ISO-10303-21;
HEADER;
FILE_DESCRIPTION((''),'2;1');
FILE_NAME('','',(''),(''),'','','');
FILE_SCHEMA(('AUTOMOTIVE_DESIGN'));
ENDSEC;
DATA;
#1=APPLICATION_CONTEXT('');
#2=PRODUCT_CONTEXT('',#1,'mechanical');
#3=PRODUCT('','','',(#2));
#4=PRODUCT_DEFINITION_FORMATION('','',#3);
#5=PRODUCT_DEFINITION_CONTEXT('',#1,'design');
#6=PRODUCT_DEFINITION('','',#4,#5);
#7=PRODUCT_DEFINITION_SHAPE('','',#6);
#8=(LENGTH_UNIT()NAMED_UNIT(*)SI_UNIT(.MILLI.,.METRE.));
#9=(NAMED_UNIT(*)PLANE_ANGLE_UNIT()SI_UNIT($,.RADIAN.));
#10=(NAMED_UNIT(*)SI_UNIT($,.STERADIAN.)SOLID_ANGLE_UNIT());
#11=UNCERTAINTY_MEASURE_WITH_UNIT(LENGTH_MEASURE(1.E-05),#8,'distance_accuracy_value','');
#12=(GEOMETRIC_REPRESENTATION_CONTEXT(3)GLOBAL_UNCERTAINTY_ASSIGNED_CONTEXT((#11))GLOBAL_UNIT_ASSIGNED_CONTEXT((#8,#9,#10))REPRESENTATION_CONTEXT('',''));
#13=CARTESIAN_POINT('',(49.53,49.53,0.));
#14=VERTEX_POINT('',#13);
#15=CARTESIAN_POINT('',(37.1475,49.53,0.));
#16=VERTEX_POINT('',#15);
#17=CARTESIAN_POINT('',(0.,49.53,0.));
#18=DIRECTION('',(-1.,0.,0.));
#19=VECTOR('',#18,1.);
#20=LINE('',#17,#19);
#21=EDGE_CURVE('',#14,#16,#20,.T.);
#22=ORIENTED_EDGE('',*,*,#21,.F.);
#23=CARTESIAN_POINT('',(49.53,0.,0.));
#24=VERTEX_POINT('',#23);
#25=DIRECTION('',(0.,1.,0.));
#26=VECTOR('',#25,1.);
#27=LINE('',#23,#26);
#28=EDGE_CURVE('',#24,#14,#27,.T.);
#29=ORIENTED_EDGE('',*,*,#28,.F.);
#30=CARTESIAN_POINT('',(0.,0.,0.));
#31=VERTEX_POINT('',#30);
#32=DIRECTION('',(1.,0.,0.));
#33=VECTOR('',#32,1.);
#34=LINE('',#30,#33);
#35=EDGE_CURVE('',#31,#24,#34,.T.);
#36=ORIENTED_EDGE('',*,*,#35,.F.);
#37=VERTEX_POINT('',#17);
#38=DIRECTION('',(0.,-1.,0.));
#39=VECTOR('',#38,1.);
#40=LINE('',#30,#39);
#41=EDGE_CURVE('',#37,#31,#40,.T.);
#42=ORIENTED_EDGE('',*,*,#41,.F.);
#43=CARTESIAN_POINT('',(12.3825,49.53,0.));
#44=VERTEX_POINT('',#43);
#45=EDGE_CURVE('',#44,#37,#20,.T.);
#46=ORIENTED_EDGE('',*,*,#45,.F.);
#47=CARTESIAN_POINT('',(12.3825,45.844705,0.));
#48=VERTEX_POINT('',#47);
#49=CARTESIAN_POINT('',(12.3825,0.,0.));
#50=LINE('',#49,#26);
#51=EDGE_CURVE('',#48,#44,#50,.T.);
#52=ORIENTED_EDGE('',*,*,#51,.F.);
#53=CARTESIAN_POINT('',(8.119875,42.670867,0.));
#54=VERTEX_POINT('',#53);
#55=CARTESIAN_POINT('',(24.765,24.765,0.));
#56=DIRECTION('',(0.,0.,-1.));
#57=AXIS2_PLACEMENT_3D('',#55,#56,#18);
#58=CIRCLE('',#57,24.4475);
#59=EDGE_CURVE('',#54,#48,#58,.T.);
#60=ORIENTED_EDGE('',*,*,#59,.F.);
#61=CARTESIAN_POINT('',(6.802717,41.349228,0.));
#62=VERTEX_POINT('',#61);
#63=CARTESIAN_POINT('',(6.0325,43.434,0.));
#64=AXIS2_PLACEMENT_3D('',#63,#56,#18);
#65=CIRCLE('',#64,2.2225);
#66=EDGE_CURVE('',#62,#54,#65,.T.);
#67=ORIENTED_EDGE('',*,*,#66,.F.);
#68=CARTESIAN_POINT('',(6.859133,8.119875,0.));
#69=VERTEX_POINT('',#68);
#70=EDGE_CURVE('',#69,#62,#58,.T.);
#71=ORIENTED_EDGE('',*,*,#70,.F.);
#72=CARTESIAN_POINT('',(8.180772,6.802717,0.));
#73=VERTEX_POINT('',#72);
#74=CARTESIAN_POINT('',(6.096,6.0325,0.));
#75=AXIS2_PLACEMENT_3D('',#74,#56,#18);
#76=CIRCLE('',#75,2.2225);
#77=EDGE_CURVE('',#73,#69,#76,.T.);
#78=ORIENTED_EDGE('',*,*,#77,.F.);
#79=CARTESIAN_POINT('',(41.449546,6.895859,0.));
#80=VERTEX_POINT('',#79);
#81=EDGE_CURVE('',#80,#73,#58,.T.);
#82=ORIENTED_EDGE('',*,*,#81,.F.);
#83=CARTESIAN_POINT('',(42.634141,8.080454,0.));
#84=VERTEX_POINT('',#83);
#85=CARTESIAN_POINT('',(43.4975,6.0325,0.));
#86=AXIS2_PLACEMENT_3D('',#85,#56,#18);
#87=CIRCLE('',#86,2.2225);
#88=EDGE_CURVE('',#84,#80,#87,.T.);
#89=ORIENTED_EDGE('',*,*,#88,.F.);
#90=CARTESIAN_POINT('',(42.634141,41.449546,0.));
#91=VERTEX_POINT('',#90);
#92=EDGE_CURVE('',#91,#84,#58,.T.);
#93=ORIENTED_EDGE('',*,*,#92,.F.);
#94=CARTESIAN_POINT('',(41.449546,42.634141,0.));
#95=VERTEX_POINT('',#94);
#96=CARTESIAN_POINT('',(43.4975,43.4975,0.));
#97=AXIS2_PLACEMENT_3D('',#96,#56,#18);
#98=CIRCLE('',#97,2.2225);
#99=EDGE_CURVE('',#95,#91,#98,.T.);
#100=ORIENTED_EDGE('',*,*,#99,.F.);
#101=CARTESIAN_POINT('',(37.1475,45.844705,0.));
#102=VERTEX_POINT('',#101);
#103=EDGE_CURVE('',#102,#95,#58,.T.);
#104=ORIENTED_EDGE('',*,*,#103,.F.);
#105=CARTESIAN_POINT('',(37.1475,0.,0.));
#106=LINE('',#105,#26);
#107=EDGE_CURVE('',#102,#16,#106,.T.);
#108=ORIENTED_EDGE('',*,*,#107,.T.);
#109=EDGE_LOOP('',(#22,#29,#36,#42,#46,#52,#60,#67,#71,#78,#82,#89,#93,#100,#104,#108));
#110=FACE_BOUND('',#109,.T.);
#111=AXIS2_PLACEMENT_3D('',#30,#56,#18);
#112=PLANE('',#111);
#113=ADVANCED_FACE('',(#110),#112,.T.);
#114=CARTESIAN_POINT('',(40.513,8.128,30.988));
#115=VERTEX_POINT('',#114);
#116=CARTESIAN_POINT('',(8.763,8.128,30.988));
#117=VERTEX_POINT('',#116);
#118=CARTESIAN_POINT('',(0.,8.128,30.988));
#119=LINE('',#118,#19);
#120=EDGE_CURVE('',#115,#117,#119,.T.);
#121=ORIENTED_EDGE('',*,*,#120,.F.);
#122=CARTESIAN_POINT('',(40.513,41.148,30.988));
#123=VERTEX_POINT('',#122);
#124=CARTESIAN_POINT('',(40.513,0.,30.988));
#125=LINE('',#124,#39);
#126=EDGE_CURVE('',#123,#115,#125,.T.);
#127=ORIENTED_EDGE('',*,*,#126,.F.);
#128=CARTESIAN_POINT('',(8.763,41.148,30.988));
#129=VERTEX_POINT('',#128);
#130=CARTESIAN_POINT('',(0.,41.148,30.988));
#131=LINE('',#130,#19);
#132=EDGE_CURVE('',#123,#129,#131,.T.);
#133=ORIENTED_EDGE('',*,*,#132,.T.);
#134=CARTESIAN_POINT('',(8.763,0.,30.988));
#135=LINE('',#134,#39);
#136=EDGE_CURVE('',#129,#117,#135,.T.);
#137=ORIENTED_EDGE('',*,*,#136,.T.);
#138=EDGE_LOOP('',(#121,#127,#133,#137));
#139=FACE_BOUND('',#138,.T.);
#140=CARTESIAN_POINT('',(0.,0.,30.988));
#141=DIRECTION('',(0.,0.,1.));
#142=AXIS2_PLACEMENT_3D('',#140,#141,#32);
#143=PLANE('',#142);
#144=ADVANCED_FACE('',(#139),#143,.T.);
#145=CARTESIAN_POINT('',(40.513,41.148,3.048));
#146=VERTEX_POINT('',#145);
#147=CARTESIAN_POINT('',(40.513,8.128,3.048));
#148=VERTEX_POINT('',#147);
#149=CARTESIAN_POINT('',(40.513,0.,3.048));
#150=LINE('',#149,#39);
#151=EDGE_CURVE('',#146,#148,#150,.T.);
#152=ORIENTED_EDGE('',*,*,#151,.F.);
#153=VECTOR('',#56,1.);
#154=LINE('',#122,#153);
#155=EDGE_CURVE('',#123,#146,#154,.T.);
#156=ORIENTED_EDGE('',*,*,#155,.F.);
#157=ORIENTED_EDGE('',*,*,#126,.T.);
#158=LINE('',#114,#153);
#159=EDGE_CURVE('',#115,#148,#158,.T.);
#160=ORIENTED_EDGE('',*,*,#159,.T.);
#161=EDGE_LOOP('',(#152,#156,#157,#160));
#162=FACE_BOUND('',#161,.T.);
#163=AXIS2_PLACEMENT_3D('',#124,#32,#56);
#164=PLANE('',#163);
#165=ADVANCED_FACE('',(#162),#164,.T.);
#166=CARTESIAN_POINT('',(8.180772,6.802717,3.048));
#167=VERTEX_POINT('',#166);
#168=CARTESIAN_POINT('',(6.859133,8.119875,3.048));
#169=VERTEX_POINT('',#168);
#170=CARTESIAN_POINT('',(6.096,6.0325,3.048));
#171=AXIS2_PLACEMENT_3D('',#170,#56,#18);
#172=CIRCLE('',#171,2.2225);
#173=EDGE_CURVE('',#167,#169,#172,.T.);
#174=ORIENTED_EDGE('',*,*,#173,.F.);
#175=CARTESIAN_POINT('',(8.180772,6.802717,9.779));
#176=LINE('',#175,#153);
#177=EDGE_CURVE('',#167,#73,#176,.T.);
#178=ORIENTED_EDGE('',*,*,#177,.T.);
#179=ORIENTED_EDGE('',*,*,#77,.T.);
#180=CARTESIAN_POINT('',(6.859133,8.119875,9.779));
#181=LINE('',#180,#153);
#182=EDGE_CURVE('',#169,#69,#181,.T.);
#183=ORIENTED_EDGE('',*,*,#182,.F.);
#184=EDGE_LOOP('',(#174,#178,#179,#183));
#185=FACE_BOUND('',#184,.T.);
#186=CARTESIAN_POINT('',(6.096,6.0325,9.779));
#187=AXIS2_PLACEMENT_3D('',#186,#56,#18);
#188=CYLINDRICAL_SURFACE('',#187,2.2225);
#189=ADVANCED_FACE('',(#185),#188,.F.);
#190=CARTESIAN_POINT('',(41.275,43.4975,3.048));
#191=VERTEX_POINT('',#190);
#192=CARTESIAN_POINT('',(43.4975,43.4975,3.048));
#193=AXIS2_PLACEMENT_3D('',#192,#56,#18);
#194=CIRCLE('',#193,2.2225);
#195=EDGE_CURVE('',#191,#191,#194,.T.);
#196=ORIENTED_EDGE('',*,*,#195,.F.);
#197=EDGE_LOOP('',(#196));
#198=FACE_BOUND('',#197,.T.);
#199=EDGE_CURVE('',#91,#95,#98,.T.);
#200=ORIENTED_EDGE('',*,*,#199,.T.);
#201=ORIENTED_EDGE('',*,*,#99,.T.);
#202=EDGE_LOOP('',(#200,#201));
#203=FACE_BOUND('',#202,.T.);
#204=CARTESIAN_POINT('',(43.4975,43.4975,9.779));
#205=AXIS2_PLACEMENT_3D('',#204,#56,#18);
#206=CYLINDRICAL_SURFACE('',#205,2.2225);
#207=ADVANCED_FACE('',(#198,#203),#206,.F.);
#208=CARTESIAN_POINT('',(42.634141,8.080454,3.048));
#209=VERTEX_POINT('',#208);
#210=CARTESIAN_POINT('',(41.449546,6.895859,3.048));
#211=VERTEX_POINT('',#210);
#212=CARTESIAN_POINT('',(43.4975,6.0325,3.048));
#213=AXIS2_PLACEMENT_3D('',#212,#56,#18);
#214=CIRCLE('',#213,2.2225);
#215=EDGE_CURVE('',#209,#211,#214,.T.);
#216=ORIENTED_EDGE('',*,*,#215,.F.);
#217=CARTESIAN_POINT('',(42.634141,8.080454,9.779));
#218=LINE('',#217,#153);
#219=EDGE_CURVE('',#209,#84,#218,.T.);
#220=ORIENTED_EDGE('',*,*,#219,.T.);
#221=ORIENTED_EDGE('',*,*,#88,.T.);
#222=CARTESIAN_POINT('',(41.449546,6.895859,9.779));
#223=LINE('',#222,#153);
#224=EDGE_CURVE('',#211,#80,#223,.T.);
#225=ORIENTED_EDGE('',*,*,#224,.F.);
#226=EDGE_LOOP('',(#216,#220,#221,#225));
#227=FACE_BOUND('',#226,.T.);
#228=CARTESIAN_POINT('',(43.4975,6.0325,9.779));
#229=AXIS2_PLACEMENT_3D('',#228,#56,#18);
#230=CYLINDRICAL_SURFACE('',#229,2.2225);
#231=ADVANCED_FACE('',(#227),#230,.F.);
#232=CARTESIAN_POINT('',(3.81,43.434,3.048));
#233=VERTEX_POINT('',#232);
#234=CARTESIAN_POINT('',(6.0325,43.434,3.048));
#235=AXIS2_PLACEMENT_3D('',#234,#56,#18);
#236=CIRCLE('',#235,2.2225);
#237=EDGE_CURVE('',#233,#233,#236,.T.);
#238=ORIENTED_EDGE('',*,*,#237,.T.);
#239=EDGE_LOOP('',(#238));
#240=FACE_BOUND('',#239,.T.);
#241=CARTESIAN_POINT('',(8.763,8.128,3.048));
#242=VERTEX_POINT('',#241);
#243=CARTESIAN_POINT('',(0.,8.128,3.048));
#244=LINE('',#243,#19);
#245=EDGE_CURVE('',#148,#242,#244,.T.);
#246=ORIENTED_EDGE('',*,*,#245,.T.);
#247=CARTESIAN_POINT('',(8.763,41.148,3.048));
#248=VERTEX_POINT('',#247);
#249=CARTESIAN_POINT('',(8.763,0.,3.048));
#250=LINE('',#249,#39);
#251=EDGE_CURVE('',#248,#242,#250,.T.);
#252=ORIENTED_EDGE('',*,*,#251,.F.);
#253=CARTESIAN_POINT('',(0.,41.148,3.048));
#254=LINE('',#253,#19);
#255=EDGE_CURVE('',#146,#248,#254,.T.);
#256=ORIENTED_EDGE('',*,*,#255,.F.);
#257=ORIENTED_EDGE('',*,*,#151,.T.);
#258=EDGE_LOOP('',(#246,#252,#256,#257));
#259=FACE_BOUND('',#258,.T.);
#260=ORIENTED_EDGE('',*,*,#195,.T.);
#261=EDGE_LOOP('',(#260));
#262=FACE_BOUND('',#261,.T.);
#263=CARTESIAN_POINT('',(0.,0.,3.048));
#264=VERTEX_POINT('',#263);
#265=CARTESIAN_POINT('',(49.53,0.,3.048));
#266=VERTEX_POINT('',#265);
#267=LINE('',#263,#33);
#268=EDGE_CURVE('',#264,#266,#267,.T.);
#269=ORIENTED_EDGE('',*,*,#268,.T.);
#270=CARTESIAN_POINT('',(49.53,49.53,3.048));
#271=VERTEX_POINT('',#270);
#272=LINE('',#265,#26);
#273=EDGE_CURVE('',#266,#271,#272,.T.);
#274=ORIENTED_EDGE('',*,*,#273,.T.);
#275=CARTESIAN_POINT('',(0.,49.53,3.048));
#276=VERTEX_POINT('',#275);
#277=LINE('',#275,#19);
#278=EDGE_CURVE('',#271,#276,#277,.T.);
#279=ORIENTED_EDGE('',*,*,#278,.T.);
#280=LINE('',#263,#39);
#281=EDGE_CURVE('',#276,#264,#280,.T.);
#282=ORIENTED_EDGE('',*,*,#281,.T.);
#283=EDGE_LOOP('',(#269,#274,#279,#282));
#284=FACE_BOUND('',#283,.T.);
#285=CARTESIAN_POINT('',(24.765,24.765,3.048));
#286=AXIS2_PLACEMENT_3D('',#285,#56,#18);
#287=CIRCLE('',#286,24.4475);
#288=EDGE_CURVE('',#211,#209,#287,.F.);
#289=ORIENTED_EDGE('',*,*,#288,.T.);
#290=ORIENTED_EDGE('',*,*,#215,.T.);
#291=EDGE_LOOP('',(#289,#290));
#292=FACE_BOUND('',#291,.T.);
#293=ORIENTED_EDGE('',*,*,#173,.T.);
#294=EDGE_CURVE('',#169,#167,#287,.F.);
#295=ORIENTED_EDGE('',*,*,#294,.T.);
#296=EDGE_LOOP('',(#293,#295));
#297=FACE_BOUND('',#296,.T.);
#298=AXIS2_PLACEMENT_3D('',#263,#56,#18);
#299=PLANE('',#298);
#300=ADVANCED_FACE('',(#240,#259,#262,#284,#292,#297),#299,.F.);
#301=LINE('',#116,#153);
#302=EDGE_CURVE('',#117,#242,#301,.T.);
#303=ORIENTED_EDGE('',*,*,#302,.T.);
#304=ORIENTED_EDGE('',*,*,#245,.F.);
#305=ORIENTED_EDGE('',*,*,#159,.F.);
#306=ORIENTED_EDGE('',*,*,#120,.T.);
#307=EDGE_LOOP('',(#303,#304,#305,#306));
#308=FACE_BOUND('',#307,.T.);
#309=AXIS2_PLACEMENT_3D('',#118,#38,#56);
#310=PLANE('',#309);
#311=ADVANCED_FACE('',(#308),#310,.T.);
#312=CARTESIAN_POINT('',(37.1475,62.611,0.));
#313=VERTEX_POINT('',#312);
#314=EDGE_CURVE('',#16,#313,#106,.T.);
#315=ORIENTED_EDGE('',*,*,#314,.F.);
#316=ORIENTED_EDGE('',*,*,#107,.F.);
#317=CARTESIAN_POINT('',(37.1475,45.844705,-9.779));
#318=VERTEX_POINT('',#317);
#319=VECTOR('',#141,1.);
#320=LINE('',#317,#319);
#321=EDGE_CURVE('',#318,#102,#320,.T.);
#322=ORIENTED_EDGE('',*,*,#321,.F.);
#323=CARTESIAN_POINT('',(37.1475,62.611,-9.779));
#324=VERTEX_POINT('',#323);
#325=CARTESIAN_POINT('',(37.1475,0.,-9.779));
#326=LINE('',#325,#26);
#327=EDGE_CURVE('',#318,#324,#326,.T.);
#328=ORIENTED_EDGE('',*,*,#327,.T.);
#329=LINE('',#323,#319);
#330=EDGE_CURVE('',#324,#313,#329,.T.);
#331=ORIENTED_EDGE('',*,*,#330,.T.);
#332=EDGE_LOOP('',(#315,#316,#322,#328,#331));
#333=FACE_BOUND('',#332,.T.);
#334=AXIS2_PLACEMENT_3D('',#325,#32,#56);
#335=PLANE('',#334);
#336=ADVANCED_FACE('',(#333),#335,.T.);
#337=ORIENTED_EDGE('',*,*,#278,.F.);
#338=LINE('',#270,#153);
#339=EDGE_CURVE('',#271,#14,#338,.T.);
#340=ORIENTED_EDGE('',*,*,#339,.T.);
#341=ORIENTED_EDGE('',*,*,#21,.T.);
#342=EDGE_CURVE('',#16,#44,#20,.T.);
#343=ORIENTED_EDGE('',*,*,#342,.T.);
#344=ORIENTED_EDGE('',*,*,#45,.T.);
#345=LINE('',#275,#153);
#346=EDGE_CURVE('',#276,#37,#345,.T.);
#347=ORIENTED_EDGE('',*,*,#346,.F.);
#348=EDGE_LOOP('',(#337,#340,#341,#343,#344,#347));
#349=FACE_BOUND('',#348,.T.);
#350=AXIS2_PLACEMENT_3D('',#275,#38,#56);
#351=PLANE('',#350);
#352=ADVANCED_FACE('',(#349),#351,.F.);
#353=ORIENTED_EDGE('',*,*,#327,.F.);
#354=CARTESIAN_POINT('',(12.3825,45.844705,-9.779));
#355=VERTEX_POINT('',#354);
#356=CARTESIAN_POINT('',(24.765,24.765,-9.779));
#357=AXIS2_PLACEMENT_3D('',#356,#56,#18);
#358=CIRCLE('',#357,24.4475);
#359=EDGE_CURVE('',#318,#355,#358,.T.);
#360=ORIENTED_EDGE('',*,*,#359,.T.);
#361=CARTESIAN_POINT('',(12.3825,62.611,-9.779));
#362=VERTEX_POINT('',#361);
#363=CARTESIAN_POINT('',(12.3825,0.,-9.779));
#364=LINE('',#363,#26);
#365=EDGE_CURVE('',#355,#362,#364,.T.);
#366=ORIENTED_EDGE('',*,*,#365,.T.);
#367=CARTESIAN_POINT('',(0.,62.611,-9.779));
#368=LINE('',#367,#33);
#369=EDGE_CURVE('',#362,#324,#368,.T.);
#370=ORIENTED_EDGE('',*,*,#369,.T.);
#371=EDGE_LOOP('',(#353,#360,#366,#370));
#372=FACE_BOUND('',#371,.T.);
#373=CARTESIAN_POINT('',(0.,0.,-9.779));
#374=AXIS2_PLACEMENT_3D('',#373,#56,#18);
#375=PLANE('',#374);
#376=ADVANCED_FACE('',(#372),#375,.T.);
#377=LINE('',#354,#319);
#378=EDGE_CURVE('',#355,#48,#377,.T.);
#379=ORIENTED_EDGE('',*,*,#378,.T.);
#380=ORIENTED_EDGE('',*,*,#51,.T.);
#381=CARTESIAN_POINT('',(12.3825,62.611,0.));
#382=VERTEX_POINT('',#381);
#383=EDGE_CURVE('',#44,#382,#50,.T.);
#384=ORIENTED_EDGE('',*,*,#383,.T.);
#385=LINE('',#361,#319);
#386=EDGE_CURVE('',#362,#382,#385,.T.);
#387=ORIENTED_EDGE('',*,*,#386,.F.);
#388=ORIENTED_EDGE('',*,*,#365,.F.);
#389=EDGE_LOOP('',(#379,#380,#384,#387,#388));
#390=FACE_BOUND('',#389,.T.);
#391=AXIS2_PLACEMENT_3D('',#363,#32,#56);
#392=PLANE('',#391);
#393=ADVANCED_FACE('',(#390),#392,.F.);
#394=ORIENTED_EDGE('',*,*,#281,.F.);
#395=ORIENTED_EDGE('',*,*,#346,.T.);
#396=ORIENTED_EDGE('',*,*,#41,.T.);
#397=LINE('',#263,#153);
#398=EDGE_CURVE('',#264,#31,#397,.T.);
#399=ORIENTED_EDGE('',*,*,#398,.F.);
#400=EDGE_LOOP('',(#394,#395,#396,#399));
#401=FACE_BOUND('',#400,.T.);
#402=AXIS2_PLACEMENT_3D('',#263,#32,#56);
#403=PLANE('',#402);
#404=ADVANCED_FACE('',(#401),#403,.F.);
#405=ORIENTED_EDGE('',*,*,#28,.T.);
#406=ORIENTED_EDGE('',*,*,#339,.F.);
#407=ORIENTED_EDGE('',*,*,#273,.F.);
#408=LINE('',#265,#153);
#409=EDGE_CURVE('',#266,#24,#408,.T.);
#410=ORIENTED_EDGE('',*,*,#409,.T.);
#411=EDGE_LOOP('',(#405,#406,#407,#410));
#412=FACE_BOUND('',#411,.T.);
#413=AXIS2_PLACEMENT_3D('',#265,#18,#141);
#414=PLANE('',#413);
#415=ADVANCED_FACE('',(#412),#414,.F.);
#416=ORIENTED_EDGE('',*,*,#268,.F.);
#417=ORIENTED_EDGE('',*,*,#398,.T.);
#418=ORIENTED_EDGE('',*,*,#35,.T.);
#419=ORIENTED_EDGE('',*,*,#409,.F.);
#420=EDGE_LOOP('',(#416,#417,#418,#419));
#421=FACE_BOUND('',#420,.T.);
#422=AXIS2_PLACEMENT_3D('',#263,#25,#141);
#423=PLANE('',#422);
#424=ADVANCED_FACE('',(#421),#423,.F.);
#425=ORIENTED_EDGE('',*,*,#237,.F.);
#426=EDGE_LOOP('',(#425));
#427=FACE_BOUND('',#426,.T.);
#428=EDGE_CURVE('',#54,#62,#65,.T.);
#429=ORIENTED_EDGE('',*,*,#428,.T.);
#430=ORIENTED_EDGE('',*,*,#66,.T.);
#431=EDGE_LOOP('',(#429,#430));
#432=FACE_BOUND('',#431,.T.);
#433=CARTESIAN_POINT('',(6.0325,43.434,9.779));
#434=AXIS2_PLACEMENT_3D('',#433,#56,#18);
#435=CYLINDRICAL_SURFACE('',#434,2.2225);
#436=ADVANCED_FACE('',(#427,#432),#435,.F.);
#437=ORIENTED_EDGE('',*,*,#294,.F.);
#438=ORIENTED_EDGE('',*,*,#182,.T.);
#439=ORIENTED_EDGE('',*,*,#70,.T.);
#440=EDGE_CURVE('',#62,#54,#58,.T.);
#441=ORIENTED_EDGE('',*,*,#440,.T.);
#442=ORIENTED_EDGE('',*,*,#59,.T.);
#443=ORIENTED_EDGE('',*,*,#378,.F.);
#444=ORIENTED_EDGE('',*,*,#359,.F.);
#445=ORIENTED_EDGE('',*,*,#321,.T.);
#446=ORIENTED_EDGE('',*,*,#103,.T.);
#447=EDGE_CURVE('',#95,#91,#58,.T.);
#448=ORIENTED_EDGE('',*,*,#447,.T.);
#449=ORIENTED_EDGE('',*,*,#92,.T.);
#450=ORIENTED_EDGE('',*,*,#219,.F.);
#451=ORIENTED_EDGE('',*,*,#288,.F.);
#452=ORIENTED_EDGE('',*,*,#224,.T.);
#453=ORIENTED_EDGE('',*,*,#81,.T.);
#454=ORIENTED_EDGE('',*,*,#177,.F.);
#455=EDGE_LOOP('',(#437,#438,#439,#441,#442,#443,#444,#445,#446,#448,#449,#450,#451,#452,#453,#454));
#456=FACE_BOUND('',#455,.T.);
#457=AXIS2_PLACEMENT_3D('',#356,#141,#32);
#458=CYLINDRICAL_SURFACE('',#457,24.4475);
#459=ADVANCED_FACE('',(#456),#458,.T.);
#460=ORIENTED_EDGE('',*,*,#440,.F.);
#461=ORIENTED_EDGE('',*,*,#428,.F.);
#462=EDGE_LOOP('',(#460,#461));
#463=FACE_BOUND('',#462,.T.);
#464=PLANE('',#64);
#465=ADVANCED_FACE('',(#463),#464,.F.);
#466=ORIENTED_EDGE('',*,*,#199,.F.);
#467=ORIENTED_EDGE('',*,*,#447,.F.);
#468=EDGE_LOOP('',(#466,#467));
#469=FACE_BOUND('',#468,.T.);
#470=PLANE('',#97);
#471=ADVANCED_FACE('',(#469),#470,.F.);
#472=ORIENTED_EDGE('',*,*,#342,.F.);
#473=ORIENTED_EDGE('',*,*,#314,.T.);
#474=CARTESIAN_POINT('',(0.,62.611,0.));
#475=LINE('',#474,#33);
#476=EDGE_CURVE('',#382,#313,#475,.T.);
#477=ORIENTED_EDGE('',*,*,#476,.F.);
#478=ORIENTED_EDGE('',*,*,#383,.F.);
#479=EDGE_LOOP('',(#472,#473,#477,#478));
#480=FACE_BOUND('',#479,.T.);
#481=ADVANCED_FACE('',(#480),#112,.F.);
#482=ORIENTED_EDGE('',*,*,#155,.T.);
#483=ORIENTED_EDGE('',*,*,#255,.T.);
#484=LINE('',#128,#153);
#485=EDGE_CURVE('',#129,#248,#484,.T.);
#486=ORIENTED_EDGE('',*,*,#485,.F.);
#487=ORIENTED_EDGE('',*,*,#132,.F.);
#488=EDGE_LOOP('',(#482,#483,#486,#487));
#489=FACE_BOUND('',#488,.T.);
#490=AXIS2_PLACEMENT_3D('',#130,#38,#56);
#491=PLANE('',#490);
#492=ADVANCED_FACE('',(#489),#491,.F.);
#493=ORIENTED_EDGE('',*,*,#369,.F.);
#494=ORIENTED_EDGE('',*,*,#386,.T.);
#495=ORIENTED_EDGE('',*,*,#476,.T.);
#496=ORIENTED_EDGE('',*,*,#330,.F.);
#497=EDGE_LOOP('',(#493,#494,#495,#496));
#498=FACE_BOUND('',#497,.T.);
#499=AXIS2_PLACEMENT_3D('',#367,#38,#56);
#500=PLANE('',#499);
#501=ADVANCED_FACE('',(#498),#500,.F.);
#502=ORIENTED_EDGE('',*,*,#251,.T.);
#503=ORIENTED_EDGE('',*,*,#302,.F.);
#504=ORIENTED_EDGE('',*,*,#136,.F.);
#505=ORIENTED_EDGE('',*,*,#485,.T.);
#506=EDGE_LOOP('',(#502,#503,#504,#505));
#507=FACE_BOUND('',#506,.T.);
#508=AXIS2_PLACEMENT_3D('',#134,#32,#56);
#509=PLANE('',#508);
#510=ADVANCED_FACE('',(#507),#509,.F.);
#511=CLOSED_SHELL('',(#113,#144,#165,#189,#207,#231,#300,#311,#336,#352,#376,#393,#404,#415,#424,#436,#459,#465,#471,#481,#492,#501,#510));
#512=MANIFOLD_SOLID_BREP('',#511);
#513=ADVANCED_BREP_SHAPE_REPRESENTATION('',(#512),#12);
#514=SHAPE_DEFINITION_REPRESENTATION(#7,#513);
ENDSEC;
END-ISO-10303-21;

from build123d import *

# Parameters (mm, degrees)
SKETCH1_W           = 49.53
SKETCH1_H           = 49.53
BOSS_EXTRUDE1_DEPTH = 3.048
SKETCH2_R           = 24.4475
BOSS_EXTRUDE2_DEPTH = 9.779
CUT_EXTRUDE1_START  = -9.779
SKETCH3_R           = 2.2225
CUT_EXTRUDE1_DEPTH  = 9.779
SKETCH4_W           = 31.75
SKETCH4_H           = 33.02
BOSS_EXTRUDE3_DEPTH = 27.94


with BuildPart() as part:
    # Sketch1 → Boss-Extrude1 (new body)
    with BuildSketch(Plane.XY):
        with Locations((24.765, 24.765)):
            Rectangle(SKETCH1_W, SKETCH1_H)
    extrude(amount=BOSS_EXTRUDE1_DEPTH)

    # Sketch2 → Boss-Extrude2 (add)
    with BuildSketch(Plane(origin=(0, 0, 0), x_dir=(-1, 0, 0), z_dir=(0, 0, -1))):
        Polygon((-37.1475, 49.53), (-24.765, 49.53), (-12.3825, 49.53), (-12.3825, 62.611), (-37.1475, 62.611), align=None)
        with BuildLine():
            Line((-12.3825, 49.53), (-24.765, 49.53))
            Line((-24.765, 49.53), (-37.1475, 49.53))
            Line((-37.1475, 49.53), (-37.1475, 45.844704694))
            ThreePointArc((-37.1475, 45.844704694), (-24.765, 49.2125), (-12.3825, 45.844704694))
            Line((-12.3825, 45.844704694), (-12.3825, 49.53))
        make_face()
        with Locations((-24.765, 24.765)):
            Circle(SKETCH2_R)
    extrude(amount=BOSS_EXTRUDE2_DEPTH)

    # Sketch3 → Cut-Extrude1 (cut)
    with BuildSketch(Plane(origin=(0, 0, 0), x_dir=(-1, 0, 0), z_dir=(0, 0, -1)).offset(CUT_EXTRUDE1_START)):
        with BuildLine():
            ThreePointArc((-41.449545605, 6.895859165), (-42.051993033, 7.478006967), (-42.634140835, 8.080454395))
            ThreePointArc((-42.634140835, 8.080454395), (-44.726461046, 7.884299394), (-45.72, 6.0325))
            Line((-45.72, 6.0325), (-43.4975, 6.0325))
            Line((-43.4975, 6.0325), (-43.4975, 3.81))
            ThreePointArc((-43.4975, 3.81), (-41.925955179, 4.460955179), (-41.275, 6.0325))
            ThreePointArc((-41.275, 6.0325), (-41.319073401, 6.472913219), (-41.449545605, 6.895859165))
        make_face()
        with BuildLine():
            Line((-43.4975, 6.0325), (-45.72, 6.0325))
            ThreePointArc((-45.72, 6.0325), (-45.069044821, 4.460955179), (-43.4975, 3.81))
            Line((-43.4975, 3.81), (-43.4975, 6.0325))
        make_face()
        with BuildLine():
            ThreePointArc((-6.859133168, 8.119874911), (-7.507381573, 7.448682191), (-8.180771601, 6.802716608))
            ThreePointArc((-8.180771601, 6.802716608), (-7.919638213, 4.762126071), (-6.096, 3.81))
            Line((-6.096, 3.81), (-6.096, 6.0325))
            Line((-6.096, 6.0325), (-3.8735, 6.0325))
            ThreePointArc((-3.8735, 6.0325), (-4.822531747, 7.853978756), (-6.859133168, 8.119874911))
        make_face()
        with BuildLine():
            Line((-6.096, 6.0325), (-6.096, 3.81))
            ThreePointArc((-6.096, 3.81), (-4.524455179, 4.460955179), (-3.8735, 6.0325))
            Line((-3.8735, 6.0325), (-6.096, 6.0325))
        make_face()
        with Locations((-6.0325, 43.434)):
            Circle(SKETCH3_R)
        with Locations((-43.4975, 43.4975)):
            Circle(SKETCH3_R)
    extrude(amount=CUT_EXTRUDE1_DEPTH, mode=Mode.SUBTRACT)

    # Sketch4 → Boss-Extrude3 (add)
    with BuildSketch(Plane.XY.offset(3.048)):
        with Locations((24.638, 24.638)):
            Rectangle(SKETCH4_W, SKETCH4_H)
    extrude(amount=BOSS_EXTRUDE3_DEPTH)


solid = part.part
